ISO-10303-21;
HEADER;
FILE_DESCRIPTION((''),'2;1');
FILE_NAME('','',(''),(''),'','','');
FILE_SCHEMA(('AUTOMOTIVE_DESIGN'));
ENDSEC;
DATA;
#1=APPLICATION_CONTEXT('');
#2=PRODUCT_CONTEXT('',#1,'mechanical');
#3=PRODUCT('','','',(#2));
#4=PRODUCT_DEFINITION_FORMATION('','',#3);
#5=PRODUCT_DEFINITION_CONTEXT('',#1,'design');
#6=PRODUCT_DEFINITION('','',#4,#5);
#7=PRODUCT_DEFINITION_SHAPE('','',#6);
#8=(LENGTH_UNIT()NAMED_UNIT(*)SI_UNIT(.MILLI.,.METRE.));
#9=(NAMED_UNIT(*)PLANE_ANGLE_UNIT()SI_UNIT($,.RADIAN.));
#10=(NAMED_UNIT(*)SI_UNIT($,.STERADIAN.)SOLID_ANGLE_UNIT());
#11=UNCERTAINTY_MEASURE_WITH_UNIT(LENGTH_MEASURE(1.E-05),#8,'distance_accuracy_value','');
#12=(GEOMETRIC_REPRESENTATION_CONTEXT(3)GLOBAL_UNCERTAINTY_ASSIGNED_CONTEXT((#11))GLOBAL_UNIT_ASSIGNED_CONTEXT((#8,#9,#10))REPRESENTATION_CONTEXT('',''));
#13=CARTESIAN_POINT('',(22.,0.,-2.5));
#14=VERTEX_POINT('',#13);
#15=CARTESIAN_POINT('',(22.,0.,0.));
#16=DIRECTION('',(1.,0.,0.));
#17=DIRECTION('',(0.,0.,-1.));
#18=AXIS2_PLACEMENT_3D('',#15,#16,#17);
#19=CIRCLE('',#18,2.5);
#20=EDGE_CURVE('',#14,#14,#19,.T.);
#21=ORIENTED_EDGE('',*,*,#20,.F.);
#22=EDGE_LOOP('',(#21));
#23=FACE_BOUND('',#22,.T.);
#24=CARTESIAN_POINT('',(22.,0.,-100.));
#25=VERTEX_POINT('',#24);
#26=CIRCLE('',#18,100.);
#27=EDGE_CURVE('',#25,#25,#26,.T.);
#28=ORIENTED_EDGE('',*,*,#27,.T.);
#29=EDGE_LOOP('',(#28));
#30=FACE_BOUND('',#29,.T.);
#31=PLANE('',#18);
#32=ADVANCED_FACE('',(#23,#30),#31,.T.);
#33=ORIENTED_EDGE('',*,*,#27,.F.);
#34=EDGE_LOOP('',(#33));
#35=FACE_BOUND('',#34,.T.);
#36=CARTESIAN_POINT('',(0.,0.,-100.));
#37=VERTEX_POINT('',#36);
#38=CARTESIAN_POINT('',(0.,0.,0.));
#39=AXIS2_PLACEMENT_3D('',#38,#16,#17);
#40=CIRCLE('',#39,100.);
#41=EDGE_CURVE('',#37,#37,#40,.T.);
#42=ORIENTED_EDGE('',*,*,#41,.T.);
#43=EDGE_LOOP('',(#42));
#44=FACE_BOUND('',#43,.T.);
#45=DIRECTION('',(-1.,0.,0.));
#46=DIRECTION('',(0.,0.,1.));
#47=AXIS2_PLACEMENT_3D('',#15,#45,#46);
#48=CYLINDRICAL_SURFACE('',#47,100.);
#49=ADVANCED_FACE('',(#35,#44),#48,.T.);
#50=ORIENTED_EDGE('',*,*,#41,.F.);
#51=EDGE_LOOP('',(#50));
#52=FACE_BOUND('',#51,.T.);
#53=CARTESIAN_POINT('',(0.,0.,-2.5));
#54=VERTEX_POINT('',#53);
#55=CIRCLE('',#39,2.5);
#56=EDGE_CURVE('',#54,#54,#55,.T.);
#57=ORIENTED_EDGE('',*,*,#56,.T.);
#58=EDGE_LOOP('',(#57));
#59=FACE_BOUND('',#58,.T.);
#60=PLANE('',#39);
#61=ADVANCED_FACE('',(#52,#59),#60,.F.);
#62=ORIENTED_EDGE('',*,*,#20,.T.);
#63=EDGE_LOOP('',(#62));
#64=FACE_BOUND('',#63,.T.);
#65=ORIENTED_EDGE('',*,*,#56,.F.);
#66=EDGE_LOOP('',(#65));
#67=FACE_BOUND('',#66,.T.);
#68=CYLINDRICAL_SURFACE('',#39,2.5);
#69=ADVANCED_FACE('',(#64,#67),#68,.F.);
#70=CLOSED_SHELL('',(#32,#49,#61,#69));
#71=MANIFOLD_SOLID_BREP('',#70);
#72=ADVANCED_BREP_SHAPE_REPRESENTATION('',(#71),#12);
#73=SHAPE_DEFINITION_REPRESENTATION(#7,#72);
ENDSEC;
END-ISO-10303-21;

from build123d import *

# Parameters (mm, degrees)
ESQUISSE4_R             = 100
BOSS_EXTRU_2_DEPTH      = 22
ESQUISSE6_R             = 2.5
ENL_V_MAT_EXTRU_1_DEPTH = 22


with BuildPart() as part:
    # Esquisse4 → Boss.-Extru.2 (new body)
    with BuildSketch(Plane(origin=(0, 0, 0), x_dir=(0, 0, -1), z_dir=(1, 0, 0))):
        Circle(ESQUISSE4_R)
    extrude(amount=BOSS_EXTRU_2_DEPTH)

    # Esquisse6 → Enlèv. mat.-Extru.1 (cut)
    with BuildSketch(Plane(origin=(22, 0, 0), x_dir=(0, 0, -1), z_dir=(1, 0, 0))):
        Circle(ESQUISSE6_R)
    extrude(amount=-ENL_V_MAT_EXTRU_1_DEPTH, mode=Mode.SUBTRACT)


solid = part.part
